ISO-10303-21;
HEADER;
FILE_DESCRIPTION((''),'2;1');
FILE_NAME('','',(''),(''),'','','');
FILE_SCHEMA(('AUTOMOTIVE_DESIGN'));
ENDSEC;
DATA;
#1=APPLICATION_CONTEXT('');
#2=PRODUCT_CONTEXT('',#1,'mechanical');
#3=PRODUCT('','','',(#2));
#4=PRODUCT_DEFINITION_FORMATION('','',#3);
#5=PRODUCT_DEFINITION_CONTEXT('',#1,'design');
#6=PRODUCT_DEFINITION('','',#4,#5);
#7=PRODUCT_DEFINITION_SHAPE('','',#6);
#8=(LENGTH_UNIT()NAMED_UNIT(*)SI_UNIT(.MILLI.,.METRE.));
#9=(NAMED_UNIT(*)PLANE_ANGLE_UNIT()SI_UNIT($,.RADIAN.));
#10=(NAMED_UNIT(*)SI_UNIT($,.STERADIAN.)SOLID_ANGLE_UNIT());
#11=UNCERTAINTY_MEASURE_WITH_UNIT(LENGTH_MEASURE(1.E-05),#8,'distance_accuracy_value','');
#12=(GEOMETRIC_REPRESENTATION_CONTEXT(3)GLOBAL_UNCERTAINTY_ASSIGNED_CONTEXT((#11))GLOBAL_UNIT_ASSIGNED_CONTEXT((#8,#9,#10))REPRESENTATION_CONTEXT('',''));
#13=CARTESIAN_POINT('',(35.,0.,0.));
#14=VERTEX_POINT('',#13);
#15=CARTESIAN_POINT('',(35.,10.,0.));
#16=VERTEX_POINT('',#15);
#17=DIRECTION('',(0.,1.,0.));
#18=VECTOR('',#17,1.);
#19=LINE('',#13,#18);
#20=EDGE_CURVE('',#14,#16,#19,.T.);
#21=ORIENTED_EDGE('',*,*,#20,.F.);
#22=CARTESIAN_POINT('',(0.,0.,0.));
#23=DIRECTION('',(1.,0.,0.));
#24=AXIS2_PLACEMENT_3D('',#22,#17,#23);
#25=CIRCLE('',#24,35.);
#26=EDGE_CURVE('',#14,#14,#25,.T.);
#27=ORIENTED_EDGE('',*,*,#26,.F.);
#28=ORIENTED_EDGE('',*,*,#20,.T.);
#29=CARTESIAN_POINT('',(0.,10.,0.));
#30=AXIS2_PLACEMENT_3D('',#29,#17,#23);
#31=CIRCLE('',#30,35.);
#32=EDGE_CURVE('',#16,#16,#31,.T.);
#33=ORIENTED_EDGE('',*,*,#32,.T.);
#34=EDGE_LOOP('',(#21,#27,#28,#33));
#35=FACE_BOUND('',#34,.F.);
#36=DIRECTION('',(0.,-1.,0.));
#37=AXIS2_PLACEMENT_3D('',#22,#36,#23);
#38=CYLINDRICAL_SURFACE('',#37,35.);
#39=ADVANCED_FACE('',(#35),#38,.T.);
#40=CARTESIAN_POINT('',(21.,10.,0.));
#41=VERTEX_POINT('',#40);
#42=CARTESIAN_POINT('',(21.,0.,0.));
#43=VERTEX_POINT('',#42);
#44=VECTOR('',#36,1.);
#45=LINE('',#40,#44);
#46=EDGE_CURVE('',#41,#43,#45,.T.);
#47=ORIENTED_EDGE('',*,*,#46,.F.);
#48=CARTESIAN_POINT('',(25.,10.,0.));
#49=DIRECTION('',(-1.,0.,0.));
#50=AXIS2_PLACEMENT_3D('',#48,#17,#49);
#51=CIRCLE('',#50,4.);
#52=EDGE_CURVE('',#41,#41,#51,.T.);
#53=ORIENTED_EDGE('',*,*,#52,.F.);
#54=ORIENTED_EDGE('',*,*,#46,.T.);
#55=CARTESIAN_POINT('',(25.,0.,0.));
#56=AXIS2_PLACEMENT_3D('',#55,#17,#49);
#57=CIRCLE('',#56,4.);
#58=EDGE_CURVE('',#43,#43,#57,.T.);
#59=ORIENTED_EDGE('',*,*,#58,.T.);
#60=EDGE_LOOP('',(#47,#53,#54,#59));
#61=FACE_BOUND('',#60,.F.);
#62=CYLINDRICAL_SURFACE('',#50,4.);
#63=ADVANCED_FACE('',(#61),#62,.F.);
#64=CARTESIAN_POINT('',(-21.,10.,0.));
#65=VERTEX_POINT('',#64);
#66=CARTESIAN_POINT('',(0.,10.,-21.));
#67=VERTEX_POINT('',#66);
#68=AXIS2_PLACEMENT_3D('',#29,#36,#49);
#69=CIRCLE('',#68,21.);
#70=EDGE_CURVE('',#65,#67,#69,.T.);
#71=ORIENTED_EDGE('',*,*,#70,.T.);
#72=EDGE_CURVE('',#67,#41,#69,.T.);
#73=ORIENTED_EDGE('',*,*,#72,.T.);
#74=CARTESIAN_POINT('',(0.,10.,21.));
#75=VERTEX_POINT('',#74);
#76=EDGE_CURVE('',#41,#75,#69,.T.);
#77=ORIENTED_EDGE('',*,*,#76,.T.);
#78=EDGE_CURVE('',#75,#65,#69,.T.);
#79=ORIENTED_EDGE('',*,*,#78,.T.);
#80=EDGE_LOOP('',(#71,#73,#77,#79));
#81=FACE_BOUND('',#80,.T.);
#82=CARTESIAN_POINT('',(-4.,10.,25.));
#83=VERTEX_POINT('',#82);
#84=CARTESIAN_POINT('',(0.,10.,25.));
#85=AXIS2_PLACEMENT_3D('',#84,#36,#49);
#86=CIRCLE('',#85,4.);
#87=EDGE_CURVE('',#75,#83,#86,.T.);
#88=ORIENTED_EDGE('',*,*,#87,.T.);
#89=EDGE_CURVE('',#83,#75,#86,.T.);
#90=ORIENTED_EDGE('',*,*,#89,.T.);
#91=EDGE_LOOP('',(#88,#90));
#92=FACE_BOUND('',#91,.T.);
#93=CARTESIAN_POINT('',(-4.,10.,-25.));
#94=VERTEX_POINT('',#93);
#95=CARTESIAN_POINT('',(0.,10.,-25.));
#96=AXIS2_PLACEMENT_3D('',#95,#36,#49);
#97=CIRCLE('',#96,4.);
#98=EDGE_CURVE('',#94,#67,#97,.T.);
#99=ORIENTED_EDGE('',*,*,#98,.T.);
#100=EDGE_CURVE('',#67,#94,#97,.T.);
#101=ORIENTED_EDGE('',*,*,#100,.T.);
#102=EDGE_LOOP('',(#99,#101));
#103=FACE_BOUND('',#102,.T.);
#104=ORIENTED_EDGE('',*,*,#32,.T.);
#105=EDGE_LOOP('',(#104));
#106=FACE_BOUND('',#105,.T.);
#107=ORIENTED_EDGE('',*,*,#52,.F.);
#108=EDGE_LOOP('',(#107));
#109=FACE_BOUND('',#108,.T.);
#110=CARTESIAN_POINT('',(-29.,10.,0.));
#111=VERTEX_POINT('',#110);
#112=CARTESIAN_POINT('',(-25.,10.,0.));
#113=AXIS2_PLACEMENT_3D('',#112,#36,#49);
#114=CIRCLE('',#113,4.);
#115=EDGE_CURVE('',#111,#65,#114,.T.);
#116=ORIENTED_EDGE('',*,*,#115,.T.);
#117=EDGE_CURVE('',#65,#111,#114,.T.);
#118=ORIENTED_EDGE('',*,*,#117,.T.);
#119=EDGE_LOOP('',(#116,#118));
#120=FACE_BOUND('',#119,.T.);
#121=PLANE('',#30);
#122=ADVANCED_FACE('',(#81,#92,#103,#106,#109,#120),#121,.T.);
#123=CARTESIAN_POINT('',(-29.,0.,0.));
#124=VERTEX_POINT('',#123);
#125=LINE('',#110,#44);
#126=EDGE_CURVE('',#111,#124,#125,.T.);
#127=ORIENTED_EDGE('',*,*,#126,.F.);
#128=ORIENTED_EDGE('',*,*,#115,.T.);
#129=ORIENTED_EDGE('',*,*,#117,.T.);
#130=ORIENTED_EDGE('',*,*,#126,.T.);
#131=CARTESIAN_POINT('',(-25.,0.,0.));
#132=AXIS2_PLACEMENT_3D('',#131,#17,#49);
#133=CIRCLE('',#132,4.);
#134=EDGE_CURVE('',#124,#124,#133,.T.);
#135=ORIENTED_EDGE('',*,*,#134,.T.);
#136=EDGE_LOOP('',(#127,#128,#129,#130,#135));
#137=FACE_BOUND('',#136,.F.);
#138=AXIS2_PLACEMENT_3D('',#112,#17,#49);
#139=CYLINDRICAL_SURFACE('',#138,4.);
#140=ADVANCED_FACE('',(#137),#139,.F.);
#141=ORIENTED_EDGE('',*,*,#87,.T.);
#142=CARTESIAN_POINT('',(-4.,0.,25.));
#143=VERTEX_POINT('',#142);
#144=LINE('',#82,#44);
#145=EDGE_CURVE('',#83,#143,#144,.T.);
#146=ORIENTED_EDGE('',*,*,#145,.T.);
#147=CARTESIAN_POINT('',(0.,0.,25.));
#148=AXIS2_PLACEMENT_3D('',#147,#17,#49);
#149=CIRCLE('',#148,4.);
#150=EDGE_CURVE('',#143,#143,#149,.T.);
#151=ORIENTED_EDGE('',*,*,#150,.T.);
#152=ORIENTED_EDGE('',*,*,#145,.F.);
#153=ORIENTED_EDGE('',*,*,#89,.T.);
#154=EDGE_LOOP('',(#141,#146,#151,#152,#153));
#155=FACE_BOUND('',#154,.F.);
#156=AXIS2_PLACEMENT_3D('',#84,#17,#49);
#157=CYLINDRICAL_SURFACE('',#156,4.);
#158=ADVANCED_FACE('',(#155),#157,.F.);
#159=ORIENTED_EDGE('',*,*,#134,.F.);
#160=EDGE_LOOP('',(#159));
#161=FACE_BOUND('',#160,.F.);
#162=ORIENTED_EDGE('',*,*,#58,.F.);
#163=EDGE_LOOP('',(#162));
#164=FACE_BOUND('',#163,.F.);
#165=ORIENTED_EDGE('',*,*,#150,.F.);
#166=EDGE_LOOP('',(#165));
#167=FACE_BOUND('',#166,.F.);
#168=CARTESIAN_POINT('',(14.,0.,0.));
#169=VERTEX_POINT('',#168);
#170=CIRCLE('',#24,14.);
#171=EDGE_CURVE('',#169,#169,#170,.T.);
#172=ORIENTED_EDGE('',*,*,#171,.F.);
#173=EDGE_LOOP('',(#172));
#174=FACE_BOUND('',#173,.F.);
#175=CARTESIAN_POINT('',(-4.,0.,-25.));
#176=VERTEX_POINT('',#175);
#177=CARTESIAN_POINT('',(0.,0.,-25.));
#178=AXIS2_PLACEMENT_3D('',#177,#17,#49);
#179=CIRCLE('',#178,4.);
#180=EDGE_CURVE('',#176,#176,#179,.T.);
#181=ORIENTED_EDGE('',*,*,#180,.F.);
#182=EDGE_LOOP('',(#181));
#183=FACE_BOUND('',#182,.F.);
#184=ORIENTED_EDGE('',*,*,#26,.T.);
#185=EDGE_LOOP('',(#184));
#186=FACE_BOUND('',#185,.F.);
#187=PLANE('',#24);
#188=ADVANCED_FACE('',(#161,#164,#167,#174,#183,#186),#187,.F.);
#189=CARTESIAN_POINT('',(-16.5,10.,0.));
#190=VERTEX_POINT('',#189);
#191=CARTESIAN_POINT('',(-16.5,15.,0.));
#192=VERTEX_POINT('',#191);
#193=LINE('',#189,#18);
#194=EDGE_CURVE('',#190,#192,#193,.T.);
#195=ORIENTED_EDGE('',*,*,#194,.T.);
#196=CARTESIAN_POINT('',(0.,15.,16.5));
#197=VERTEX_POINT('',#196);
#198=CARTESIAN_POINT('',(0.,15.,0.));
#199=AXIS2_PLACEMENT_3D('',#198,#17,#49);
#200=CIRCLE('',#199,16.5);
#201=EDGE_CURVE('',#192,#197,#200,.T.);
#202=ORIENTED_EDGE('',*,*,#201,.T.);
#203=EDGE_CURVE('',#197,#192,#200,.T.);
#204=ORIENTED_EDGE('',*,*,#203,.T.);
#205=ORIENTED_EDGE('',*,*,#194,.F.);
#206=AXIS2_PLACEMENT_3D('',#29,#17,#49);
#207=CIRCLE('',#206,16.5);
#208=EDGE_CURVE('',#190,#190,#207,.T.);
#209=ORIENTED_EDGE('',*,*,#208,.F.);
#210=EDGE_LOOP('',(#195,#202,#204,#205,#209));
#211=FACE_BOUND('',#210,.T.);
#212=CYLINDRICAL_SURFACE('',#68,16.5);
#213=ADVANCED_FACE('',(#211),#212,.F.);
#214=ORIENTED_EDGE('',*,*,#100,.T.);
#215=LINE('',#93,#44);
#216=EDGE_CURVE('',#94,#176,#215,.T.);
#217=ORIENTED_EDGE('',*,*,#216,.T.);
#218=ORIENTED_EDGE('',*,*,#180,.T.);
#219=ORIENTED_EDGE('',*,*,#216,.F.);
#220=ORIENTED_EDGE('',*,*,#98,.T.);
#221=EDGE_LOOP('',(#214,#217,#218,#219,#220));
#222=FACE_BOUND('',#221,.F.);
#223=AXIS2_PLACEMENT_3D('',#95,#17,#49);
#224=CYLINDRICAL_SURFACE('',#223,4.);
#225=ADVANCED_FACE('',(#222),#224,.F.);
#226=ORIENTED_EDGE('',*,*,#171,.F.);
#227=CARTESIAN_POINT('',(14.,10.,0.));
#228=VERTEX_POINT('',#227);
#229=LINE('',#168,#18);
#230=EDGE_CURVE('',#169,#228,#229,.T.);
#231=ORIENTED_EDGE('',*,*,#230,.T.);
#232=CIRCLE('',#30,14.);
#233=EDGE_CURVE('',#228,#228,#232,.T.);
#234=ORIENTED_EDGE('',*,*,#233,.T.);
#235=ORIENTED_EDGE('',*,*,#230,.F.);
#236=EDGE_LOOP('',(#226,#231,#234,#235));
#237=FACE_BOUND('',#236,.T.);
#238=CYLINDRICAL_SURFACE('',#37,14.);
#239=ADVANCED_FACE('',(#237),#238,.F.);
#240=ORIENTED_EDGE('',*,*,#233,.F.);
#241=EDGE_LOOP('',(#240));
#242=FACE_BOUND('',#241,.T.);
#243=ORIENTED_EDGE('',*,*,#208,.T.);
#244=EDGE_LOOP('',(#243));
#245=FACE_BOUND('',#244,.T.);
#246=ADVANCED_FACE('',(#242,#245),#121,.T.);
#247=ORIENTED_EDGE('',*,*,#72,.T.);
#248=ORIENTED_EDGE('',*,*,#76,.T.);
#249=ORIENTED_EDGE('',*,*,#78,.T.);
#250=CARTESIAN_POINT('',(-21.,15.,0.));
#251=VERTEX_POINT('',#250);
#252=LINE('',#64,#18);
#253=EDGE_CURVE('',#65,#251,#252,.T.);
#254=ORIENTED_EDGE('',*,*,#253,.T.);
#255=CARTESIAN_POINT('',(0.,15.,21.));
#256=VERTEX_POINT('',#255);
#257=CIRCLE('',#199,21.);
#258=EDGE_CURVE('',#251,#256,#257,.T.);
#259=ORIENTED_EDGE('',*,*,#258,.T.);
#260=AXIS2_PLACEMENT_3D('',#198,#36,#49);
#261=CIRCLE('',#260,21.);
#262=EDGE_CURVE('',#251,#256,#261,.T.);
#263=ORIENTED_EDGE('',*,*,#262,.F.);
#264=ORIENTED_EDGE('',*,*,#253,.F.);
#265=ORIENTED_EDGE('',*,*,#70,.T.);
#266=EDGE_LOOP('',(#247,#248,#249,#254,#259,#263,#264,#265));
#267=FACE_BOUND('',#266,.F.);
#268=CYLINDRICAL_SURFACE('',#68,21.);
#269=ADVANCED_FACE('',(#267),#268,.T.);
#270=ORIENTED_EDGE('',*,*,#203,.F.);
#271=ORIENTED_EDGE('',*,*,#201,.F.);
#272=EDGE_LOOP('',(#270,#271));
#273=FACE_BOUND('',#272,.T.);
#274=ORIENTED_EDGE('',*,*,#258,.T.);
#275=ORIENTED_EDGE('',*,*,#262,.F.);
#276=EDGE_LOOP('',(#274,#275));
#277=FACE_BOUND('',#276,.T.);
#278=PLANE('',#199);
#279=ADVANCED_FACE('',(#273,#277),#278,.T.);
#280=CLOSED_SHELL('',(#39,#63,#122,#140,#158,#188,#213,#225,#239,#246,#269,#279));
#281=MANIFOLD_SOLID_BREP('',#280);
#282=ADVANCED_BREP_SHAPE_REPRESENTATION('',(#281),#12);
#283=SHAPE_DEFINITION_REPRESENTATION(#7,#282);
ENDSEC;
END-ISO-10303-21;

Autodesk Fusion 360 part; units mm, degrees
sketch "Sketch1" plane through (0, 0, 0) normal (0, 1, 0) x (1, 0, 0)
  circle A0 centre (0, 0) radius 35
  circle A1 centre (0, 0) radius 14
  dimension "d1" = 70
  dimension "d2" = 28
extrude "Extrude1" add sketch "Sketch1" along normal blind 10
sketch "Sketch2" plane through (0, 10, 0) normal (0, 1, 0) x (-1, 0, 0)
  circle A0 centre (0, 0) radius 14
  circle A1 centre (0, 0) radius 35
  circle A2 centre (0, 0) radius 16.5
  circle A3 centre (0, 0) radius 21
  circle A4 centre (0, 0) radius 25 construction
  circle A5 centre (0, -25) radius 4
  line L0 (0, 0) -> (0, -25) construction
  line L1 (0, 1.75) -> (0, 22.5)
  circle A6 centre (25, 0) radius 4
  circle A7 centre (0, 25) radius 4
  circle A8 centre (-25, 0) radius 4
  dimension "d5" = 33
  dimension "d6" = 42
  dimension "d7" = 50
  dimension "d8" = 8
  dimension "d10" = 360
extrude "Extrude2" add sketch "Sketch2" along normal blind 5 contours A3
extrude "Extrude3" cut sketch "Sketch2" against normal blind 10 contours A7 | A6 | A5 | A8
